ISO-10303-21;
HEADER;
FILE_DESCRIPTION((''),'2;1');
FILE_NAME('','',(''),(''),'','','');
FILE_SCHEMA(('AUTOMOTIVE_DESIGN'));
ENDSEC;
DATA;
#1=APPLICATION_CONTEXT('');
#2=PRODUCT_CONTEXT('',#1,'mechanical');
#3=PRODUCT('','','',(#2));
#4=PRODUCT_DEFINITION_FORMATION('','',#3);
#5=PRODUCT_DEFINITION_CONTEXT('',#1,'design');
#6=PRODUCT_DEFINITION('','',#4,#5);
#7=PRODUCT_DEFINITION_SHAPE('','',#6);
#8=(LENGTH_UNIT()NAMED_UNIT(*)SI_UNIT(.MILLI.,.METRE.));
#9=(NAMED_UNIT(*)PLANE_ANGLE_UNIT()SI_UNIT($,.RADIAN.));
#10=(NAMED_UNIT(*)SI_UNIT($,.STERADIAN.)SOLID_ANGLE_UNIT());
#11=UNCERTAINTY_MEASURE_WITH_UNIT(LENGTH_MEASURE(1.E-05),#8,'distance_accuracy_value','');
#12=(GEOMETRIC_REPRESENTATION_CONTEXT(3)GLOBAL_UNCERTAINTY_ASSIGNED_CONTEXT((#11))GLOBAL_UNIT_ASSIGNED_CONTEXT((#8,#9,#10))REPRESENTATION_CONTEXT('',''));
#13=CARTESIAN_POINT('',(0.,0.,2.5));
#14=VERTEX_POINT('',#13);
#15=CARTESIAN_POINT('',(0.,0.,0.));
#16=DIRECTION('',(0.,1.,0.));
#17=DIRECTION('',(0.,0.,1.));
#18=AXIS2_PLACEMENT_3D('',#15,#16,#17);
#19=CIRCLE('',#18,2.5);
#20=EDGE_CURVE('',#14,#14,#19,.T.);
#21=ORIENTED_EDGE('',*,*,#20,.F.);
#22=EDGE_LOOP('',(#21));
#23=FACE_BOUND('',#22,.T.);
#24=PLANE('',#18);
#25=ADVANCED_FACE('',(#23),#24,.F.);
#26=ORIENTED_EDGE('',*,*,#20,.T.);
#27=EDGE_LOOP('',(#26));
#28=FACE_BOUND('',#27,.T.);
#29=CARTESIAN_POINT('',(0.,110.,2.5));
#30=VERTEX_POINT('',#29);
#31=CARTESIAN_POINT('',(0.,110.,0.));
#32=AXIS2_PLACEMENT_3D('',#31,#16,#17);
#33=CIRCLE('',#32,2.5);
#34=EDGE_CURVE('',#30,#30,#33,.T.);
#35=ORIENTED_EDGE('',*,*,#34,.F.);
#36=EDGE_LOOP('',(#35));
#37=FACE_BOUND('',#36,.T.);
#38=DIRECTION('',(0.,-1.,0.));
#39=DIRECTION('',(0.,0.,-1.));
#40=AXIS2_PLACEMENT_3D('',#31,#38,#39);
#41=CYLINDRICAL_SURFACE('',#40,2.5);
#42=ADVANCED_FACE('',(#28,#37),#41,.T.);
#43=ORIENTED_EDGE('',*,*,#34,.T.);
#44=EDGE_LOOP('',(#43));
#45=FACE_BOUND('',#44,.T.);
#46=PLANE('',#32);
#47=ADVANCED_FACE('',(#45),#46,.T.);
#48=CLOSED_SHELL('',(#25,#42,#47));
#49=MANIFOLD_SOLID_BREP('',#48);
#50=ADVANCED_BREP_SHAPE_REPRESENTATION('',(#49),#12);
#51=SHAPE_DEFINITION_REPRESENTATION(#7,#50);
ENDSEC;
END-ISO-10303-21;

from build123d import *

# Parameters (mm, degrees)
ESBO_O1_R                = 2.5
RESSALTO_EXTRUS_O1_DEPTH = 110


with BuildPart() as part:
    # Esboço1 → Ressalto-extrusão1 (new body)
    with BuildSketch(Plane(origin=(0, 0, 0), x_dir=(1, 0, 0), z_dir=(0, 1, 0))):
        Circle(ESBO_O1_R)
    extrude(amount=RESSALTO_EXTRUS_O1_DEPTH)


solid = part.part
